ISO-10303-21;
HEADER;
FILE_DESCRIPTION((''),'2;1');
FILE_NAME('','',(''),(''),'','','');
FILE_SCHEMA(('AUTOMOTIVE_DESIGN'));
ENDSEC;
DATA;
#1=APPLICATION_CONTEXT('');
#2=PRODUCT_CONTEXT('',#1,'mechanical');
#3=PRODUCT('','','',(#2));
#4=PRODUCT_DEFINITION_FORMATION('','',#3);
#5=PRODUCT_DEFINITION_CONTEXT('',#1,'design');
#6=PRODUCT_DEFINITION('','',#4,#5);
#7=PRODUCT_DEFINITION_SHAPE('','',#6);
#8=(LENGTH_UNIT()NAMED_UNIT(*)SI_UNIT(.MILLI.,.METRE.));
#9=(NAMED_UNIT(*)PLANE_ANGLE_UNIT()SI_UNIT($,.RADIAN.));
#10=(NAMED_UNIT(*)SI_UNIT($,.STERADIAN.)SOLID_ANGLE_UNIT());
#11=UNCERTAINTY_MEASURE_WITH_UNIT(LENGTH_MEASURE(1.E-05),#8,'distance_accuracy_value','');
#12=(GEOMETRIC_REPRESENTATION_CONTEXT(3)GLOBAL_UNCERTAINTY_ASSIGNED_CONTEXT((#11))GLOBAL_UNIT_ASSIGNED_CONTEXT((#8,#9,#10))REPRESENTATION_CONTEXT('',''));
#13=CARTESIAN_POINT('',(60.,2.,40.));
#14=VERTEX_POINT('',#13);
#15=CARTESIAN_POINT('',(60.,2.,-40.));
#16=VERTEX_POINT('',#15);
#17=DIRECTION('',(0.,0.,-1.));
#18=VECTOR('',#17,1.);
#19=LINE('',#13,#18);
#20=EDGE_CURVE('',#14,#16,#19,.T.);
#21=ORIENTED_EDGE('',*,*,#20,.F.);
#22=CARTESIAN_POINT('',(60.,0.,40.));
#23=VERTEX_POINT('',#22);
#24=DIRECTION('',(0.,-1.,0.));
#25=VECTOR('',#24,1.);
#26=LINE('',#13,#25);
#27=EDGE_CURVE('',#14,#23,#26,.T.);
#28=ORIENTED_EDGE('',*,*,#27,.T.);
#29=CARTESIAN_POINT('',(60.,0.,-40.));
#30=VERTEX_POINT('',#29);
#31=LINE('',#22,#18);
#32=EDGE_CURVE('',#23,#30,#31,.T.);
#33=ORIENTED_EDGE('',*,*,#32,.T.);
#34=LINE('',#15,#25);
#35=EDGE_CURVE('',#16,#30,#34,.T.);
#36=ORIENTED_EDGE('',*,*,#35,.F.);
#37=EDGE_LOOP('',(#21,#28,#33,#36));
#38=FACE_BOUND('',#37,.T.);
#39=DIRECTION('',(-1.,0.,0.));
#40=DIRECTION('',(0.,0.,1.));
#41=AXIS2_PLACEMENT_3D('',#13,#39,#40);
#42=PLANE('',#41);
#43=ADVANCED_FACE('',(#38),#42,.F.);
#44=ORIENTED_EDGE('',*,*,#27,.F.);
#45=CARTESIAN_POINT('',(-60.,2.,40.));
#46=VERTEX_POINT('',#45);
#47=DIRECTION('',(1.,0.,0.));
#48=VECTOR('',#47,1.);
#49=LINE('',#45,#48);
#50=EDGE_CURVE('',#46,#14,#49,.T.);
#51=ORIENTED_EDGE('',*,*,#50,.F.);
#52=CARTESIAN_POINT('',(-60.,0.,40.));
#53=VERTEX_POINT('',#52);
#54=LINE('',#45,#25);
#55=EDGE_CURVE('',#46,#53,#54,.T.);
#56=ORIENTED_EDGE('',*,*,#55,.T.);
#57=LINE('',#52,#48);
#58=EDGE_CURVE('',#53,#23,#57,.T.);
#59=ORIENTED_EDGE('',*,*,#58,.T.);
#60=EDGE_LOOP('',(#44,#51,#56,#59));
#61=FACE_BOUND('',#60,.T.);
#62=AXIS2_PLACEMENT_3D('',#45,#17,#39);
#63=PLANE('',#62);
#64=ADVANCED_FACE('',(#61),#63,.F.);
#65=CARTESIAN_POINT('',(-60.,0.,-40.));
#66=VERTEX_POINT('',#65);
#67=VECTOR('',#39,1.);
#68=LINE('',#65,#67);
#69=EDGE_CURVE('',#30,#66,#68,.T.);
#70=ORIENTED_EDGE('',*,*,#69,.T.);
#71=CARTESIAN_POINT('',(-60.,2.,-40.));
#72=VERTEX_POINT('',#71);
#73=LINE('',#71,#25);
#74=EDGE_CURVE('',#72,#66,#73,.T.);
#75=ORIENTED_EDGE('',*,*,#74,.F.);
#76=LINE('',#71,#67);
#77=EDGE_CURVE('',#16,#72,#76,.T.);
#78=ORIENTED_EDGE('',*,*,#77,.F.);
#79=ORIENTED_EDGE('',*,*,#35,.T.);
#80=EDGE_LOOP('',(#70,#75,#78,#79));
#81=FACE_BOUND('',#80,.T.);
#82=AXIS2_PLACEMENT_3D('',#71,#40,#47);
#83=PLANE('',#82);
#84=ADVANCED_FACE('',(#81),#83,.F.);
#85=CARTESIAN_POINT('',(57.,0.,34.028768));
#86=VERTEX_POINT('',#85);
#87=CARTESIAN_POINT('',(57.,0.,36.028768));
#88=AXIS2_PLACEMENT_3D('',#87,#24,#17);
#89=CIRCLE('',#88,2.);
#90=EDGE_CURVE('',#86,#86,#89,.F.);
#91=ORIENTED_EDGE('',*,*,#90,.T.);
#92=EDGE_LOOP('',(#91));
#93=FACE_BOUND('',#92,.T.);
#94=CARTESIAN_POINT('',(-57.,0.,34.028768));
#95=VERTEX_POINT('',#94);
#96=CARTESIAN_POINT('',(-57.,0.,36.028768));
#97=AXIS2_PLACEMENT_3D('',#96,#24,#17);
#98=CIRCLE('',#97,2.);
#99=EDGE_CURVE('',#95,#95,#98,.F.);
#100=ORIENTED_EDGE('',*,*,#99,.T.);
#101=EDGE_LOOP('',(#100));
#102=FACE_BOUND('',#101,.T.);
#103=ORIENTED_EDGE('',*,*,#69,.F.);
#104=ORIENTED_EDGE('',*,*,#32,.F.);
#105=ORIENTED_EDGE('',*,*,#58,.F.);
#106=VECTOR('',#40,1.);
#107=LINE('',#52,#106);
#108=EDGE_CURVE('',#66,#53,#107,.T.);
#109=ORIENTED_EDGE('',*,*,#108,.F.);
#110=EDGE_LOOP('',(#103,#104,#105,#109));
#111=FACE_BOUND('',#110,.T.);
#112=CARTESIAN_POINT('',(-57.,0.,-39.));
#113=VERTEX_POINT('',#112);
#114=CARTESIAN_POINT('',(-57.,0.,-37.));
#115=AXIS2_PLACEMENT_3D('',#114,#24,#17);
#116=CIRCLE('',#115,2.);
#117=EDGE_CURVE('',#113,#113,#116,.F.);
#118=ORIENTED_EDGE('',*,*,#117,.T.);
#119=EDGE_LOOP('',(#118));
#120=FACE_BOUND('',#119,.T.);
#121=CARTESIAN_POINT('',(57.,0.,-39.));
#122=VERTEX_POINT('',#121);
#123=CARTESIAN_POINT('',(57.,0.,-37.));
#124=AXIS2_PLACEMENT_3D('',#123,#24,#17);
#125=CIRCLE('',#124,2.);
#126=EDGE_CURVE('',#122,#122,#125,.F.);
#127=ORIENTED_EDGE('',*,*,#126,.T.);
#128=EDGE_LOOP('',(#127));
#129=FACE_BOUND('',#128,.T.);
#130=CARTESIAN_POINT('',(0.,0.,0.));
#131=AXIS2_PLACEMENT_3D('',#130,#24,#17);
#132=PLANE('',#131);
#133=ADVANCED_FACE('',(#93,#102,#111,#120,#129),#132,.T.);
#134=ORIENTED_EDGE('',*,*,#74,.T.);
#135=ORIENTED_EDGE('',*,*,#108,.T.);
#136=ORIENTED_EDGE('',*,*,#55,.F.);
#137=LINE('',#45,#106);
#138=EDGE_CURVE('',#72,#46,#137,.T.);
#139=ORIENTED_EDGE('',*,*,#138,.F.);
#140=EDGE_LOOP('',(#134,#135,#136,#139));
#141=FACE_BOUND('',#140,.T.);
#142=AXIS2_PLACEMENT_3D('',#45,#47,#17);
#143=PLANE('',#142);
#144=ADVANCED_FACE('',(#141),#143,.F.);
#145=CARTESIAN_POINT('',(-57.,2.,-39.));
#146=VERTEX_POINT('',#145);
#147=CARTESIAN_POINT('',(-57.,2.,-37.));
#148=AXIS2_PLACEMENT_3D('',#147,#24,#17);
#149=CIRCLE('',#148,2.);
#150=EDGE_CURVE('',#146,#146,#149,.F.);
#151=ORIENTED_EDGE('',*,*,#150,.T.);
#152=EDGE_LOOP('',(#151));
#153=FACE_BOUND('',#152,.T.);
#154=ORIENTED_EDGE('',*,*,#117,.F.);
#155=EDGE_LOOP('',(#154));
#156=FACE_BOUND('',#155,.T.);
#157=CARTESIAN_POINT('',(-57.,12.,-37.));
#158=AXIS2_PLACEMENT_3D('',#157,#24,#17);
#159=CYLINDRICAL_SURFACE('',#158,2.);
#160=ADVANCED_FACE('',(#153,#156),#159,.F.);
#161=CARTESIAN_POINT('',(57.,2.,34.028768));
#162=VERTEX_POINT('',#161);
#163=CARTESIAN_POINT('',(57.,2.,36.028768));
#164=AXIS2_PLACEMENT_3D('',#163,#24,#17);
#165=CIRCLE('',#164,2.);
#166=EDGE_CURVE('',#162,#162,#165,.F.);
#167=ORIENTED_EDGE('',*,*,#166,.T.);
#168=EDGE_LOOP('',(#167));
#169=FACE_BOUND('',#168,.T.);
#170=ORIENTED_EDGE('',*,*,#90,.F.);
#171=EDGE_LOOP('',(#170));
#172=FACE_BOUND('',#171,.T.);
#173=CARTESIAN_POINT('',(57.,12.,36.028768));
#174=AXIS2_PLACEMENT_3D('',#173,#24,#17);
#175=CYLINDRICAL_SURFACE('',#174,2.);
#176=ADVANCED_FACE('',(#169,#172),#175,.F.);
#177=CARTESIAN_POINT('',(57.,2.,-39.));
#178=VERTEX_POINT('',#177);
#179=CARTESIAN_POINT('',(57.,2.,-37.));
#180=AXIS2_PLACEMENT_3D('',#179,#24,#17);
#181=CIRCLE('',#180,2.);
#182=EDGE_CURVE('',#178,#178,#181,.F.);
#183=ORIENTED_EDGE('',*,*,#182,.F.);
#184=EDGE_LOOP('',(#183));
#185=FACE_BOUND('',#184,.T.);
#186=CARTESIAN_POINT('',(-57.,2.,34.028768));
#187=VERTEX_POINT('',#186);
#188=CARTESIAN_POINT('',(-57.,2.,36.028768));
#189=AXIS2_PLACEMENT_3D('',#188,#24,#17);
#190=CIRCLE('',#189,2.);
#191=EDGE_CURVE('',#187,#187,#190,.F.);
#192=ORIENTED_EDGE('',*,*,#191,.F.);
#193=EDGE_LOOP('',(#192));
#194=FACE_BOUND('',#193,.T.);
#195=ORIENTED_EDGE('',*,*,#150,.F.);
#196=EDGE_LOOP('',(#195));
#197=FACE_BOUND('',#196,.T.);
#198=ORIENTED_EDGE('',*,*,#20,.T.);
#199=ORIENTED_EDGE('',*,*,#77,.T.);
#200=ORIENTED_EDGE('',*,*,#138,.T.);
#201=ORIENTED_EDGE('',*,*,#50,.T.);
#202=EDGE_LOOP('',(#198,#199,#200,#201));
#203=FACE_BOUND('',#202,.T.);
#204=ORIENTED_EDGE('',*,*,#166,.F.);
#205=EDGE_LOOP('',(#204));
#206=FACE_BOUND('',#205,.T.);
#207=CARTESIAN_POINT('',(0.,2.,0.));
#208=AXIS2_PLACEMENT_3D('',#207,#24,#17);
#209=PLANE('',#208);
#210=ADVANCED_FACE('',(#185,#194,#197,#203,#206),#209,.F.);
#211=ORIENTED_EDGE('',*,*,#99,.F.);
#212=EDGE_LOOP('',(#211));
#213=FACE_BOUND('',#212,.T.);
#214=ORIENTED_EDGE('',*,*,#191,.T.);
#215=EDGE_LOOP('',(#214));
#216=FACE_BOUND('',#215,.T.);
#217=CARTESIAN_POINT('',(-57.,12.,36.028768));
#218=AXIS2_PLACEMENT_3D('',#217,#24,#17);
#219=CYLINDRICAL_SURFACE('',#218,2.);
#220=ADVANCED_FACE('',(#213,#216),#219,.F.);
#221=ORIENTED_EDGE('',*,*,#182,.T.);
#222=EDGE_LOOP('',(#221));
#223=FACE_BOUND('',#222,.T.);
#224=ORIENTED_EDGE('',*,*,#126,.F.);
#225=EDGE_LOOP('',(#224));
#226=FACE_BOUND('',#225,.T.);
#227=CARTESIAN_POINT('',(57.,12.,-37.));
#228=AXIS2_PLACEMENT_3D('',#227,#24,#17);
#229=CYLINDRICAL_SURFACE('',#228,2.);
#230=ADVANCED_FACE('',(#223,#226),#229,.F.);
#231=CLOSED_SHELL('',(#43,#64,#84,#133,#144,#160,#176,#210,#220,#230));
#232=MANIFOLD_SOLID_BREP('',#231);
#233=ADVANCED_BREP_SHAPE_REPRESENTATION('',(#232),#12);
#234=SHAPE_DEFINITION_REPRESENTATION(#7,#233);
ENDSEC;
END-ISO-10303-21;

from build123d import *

# Parameters (mm, degrees)
SKETCH1_W               = 120
SKETCH1_H               = 80
BOSS_EXTRUDE1_DEPTH     = 2
CUT_EXTRUDE1_DEPTH      = 10
CUT_EXTRUDE1_DEPTH_BACK = 10
SKETCH2_R               = 2


with BuildPart() as part:
    # Sketch1 → Boss-Extrude1 (new body)
    with BuildSketch(Plane(origin=(0, 0, 0), x_dir=(1, 0, 0), z_dir=(0, 1, 0))):
        Rectangle(SKETCH1_W, SKETCH1_H)
    extrude(amount=BOSS_EXTRUDE1_DEPTH)

    # Sketch2 → Cut-Extrude1 (cut, two sides: drawn at the far end of the back side and taken through both)
    with BuildSketch(Plane(origin=(0, 2, 0), x_dir=(1, 0, 0), z_dir=(0, 1, 0)).offset(-CUT_EXTRUDE1_DEPTH_BACK)):
        with Locations((-57, 37)):
            Circle(SKETCH2_R)
        with Locations((57, 37)):
            Circle(SKETCH2_R)
        with Locations((57, -36.028768063)):
            Circle(SKETCH2_R)
        with Locations((-57, -36.028768063)):
            Circle(SKETCH2_R)
    extrude(amount=CUT_EXTRUDE1_DEPTH + CUT_EXTRUDE1_DEPTH_BACK, mode=Mode.SUBTRACT)


solid = part.part
